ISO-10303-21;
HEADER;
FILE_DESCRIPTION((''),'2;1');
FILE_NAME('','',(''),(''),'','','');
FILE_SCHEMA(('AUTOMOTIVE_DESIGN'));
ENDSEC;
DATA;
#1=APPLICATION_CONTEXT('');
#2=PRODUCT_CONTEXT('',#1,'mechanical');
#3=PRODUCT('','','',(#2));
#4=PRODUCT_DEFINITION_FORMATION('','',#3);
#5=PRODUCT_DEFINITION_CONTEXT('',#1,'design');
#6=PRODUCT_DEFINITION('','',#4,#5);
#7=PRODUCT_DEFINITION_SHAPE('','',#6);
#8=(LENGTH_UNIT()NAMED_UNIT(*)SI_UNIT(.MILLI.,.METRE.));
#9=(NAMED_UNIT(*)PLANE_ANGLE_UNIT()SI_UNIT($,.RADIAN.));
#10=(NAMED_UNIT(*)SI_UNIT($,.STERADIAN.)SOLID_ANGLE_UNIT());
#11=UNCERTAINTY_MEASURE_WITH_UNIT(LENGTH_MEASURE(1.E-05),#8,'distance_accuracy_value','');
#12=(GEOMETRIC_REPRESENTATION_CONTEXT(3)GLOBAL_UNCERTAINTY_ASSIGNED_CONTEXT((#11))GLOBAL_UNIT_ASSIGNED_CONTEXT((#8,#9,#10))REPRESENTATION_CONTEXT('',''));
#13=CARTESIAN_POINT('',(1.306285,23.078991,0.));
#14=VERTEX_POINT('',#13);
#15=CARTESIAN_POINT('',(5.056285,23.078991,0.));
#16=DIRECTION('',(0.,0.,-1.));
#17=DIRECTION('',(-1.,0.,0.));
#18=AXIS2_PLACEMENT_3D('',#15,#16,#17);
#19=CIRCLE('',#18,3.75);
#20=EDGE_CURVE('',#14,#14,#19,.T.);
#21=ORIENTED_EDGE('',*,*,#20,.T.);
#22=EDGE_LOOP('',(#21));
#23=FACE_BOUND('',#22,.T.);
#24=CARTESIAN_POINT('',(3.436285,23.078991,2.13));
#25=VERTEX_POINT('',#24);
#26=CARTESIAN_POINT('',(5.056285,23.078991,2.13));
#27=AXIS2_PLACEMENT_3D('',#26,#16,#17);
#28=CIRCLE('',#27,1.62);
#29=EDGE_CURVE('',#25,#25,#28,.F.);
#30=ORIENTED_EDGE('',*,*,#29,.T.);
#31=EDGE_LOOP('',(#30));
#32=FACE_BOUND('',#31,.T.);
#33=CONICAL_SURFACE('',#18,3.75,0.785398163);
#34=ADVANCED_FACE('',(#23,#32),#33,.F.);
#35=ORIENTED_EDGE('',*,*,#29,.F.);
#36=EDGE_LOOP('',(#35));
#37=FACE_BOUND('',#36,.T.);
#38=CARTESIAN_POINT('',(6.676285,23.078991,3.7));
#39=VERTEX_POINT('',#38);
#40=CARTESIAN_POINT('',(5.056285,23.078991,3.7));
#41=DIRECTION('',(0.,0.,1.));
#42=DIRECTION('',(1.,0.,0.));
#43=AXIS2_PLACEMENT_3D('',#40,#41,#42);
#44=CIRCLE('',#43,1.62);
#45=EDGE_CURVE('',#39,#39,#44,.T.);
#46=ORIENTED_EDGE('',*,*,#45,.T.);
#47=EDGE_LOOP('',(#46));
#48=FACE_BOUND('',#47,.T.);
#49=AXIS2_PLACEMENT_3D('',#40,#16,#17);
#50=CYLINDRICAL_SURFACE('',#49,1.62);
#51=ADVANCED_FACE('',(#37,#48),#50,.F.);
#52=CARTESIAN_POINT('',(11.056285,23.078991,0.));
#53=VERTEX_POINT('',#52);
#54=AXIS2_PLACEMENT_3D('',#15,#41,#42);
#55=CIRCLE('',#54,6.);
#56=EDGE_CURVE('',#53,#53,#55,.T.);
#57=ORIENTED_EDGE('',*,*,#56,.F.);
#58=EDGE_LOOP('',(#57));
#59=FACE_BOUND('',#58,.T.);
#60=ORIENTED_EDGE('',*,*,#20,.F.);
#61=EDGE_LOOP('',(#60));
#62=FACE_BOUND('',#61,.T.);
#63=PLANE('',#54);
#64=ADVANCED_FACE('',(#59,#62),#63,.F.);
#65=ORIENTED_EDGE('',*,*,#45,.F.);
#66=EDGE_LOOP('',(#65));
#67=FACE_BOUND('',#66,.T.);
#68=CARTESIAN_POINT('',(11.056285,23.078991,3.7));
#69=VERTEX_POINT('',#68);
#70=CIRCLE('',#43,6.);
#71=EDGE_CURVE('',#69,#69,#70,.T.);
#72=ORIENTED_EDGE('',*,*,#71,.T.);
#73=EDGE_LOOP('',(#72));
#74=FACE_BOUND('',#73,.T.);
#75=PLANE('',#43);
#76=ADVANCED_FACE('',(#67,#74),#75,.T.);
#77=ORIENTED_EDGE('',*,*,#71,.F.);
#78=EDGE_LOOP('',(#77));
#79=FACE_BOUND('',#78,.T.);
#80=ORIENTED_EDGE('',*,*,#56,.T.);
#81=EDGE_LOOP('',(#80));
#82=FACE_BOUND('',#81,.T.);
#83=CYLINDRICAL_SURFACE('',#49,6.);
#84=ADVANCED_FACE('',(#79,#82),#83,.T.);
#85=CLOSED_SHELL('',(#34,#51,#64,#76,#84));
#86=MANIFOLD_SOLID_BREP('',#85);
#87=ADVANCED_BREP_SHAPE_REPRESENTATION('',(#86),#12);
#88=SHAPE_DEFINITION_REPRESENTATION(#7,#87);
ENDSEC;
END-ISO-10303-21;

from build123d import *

# Parameters (mm, degrees)
SKETCH1_R           = 6
SKETCH1_R_2         = 1.62
BOSS_EXTRUDE1_DEPTH = 3.7


with BuildPart() as part:
    # Sketch1 → Boss-Extrude1 (new body)
    with BuildSketch(Plane.XY):
        with Locations((5.056285212, 23.07899143)):
            Circle(SKETCH1_R)
        with Locations((5.056285212, 23.07899143)):
            Circle(SKETCH1_R_2, mode=Mode.SUBTRACT)
    extrude(amount=BOSS_EXTRUDE1_DEPTH)

    # Cut-Extrude1 cone 1 section (through the dimple's axis) → Cut-Extrude1 (revolve, cut)
    with BuildSketch(Plane(origin=(5.056285212, 23.07899143, 0), x_dir=(0, 1, 0), z_dir=(1, 0, 0))):
        Polygon((0, 0), (3.75, 0), (0, 3.75), align=None)
    revolve(axis=Axis((5.056285212, 23.07899143, 0), (0, 0, 1)), mode=Mode.SUBTRACT)


solid = part.part
